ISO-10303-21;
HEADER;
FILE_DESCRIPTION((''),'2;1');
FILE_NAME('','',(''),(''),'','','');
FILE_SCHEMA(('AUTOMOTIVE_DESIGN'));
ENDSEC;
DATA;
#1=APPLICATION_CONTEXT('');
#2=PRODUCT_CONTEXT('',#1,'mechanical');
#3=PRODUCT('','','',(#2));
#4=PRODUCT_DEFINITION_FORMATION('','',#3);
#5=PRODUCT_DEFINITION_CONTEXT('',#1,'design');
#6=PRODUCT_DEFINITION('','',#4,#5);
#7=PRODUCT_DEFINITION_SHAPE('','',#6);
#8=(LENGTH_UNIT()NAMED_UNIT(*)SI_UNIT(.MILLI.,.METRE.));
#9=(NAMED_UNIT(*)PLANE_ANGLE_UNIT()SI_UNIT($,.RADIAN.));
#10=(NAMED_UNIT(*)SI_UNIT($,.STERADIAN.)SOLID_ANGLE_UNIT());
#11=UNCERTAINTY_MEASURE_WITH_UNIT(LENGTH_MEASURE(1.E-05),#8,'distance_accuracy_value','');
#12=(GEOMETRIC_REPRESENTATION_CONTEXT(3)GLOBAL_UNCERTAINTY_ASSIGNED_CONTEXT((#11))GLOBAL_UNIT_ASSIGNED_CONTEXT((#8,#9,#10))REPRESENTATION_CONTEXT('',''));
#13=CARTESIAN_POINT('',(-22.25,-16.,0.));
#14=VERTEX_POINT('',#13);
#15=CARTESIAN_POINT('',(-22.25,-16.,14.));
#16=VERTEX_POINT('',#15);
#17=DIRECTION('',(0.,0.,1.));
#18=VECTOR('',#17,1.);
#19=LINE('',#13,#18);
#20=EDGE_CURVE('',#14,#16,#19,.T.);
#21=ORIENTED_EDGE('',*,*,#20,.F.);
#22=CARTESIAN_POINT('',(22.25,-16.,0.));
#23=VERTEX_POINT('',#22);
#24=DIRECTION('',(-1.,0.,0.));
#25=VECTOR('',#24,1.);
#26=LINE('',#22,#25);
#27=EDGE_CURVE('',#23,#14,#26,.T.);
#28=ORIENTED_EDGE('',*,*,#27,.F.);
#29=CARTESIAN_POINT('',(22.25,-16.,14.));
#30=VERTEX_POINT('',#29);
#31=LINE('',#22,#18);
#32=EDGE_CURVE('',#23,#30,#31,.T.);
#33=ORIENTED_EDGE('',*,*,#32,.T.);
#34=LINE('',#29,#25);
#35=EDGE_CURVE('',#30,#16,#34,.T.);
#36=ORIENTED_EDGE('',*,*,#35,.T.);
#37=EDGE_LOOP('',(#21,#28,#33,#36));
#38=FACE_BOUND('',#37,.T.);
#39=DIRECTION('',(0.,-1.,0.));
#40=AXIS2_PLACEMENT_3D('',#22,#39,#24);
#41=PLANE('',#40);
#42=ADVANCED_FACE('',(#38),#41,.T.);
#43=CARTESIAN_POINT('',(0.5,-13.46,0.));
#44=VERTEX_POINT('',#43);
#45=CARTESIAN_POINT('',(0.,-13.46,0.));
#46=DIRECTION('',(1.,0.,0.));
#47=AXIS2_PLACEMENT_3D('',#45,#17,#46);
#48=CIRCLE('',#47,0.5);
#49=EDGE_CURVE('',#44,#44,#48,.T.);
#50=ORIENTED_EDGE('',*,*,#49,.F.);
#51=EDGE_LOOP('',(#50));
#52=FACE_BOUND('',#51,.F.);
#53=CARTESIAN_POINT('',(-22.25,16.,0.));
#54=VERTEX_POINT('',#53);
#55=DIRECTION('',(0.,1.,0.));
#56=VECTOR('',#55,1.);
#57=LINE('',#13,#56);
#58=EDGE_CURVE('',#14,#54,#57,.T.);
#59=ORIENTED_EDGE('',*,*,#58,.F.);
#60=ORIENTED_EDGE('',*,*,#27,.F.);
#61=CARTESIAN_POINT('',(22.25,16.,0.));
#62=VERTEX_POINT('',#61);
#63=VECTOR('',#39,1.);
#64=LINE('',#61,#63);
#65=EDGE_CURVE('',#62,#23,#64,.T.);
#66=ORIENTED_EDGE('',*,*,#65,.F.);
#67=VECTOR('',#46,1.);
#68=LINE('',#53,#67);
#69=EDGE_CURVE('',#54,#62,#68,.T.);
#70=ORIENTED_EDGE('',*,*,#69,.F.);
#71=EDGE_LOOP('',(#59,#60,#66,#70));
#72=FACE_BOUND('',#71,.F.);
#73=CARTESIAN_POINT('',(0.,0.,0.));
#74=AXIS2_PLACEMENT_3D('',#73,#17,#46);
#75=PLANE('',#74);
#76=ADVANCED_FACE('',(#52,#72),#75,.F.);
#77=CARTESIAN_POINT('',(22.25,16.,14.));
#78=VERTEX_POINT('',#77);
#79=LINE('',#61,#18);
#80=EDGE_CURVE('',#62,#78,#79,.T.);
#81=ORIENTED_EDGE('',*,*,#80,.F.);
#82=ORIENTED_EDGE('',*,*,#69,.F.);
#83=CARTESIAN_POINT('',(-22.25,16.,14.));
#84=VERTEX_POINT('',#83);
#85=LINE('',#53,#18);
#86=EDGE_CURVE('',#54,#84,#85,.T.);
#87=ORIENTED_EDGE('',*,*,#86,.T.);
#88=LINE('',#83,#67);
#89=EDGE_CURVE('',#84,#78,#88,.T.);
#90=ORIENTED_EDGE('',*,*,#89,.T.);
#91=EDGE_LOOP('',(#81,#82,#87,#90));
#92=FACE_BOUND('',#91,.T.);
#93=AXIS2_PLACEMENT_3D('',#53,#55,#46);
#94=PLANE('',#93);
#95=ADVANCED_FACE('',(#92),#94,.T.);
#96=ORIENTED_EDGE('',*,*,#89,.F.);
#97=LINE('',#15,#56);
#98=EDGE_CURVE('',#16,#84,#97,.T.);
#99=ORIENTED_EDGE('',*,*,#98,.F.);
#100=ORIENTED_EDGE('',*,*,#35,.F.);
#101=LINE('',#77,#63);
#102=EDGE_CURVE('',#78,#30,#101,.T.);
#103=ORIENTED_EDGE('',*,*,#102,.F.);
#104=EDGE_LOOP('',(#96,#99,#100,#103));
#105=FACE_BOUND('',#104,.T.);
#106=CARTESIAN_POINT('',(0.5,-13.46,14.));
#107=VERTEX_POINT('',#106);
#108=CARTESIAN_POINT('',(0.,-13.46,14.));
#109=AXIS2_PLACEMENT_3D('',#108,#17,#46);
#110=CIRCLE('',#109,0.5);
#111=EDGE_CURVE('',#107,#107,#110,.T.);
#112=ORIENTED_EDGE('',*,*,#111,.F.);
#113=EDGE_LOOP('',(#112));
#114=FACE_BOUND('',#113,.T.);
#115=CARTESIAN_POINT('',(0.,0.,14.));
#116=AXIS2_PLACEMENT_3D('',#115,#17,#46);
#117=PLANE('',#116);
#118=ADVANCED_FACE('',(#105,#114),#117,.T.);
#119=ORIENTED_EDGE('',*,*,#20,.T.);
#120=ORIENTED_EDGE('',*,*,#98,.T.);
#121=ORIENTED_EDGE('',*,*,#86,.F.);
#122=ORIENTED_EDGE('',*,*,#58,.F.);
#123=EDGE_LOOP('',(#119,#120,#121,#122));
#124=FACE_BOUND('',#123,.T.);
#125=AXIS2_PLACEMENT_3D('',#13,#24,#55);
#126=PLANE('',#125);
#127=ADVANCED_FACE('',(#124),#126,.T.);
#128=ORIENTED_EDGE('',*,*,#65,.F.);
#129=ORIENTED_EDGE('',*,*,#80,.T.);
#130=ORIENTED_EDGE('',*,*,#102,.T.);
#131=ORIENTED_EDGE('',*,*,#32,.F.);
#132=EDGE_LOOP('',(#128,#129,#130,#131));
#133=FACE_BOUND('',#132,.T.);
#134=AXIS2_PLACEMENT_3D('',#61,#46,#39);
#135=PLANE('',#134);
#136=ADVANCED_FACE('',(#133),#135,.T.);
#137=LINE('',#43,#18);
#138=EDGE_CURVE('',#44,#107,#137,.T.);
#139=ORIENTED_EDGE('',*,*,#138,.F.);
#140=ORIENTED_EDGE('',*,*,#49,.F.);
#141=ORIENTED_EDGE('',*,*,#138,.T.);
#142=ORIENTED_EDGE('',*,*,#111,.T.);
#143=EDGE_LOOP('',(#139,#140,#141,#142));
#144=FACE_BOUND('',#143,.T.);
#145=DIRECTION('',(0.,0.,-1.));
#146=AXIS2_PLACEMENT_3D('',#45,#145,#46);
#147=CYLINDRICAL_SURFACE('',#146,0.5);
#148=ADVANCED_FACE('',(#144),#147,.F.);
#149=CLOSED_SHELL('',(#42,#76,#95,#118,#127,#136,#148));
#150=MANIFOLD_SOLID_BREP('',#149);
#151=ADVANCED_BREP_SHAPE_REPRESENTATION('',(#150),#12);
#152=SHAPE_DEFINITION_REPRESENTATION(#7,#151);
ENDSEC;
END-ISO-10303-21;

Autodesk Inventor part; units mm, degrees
ref_plane "YZ Plane" through (0, 0, 0) normal (1, 0, 0) x (0, 1, 0)
ref_plane "XZ Plane" through (0, 0, 0) normal (0, 1, 0) x (-1, 0, 0)
ref_plane "XY Plane" through (0, 0, 0) normal (0, 0, 1) x (1, 0, 0)
sketch "Sketch1" plane through (0, 0, 0) normal (0, 0, 1) x (1, 0, 0)
  line L0 (-22.25, 16) -> (22.25, 16)
  line L1 (22.25, 16) -> (22.25, -16)
  line L2 (22.25, -16) -> (-22.25, -16)
  line L3 (-22.25, -16) -> (-22.25, 16)
  circle A0 centre (0, -13.46) radius 0.5
  point P0 (0, 0)
  point P1 (0, 16)
  point P2 (22.25, 0)
  dimension "d0" = 44.5
  dimension "d1" = 32
  dimension "d4" = 1
  dimension "d5" = 2.54
extrude "Extrusion1" add sketch "Sketch1" along normal blind 14
properties part number "Regulator2"
